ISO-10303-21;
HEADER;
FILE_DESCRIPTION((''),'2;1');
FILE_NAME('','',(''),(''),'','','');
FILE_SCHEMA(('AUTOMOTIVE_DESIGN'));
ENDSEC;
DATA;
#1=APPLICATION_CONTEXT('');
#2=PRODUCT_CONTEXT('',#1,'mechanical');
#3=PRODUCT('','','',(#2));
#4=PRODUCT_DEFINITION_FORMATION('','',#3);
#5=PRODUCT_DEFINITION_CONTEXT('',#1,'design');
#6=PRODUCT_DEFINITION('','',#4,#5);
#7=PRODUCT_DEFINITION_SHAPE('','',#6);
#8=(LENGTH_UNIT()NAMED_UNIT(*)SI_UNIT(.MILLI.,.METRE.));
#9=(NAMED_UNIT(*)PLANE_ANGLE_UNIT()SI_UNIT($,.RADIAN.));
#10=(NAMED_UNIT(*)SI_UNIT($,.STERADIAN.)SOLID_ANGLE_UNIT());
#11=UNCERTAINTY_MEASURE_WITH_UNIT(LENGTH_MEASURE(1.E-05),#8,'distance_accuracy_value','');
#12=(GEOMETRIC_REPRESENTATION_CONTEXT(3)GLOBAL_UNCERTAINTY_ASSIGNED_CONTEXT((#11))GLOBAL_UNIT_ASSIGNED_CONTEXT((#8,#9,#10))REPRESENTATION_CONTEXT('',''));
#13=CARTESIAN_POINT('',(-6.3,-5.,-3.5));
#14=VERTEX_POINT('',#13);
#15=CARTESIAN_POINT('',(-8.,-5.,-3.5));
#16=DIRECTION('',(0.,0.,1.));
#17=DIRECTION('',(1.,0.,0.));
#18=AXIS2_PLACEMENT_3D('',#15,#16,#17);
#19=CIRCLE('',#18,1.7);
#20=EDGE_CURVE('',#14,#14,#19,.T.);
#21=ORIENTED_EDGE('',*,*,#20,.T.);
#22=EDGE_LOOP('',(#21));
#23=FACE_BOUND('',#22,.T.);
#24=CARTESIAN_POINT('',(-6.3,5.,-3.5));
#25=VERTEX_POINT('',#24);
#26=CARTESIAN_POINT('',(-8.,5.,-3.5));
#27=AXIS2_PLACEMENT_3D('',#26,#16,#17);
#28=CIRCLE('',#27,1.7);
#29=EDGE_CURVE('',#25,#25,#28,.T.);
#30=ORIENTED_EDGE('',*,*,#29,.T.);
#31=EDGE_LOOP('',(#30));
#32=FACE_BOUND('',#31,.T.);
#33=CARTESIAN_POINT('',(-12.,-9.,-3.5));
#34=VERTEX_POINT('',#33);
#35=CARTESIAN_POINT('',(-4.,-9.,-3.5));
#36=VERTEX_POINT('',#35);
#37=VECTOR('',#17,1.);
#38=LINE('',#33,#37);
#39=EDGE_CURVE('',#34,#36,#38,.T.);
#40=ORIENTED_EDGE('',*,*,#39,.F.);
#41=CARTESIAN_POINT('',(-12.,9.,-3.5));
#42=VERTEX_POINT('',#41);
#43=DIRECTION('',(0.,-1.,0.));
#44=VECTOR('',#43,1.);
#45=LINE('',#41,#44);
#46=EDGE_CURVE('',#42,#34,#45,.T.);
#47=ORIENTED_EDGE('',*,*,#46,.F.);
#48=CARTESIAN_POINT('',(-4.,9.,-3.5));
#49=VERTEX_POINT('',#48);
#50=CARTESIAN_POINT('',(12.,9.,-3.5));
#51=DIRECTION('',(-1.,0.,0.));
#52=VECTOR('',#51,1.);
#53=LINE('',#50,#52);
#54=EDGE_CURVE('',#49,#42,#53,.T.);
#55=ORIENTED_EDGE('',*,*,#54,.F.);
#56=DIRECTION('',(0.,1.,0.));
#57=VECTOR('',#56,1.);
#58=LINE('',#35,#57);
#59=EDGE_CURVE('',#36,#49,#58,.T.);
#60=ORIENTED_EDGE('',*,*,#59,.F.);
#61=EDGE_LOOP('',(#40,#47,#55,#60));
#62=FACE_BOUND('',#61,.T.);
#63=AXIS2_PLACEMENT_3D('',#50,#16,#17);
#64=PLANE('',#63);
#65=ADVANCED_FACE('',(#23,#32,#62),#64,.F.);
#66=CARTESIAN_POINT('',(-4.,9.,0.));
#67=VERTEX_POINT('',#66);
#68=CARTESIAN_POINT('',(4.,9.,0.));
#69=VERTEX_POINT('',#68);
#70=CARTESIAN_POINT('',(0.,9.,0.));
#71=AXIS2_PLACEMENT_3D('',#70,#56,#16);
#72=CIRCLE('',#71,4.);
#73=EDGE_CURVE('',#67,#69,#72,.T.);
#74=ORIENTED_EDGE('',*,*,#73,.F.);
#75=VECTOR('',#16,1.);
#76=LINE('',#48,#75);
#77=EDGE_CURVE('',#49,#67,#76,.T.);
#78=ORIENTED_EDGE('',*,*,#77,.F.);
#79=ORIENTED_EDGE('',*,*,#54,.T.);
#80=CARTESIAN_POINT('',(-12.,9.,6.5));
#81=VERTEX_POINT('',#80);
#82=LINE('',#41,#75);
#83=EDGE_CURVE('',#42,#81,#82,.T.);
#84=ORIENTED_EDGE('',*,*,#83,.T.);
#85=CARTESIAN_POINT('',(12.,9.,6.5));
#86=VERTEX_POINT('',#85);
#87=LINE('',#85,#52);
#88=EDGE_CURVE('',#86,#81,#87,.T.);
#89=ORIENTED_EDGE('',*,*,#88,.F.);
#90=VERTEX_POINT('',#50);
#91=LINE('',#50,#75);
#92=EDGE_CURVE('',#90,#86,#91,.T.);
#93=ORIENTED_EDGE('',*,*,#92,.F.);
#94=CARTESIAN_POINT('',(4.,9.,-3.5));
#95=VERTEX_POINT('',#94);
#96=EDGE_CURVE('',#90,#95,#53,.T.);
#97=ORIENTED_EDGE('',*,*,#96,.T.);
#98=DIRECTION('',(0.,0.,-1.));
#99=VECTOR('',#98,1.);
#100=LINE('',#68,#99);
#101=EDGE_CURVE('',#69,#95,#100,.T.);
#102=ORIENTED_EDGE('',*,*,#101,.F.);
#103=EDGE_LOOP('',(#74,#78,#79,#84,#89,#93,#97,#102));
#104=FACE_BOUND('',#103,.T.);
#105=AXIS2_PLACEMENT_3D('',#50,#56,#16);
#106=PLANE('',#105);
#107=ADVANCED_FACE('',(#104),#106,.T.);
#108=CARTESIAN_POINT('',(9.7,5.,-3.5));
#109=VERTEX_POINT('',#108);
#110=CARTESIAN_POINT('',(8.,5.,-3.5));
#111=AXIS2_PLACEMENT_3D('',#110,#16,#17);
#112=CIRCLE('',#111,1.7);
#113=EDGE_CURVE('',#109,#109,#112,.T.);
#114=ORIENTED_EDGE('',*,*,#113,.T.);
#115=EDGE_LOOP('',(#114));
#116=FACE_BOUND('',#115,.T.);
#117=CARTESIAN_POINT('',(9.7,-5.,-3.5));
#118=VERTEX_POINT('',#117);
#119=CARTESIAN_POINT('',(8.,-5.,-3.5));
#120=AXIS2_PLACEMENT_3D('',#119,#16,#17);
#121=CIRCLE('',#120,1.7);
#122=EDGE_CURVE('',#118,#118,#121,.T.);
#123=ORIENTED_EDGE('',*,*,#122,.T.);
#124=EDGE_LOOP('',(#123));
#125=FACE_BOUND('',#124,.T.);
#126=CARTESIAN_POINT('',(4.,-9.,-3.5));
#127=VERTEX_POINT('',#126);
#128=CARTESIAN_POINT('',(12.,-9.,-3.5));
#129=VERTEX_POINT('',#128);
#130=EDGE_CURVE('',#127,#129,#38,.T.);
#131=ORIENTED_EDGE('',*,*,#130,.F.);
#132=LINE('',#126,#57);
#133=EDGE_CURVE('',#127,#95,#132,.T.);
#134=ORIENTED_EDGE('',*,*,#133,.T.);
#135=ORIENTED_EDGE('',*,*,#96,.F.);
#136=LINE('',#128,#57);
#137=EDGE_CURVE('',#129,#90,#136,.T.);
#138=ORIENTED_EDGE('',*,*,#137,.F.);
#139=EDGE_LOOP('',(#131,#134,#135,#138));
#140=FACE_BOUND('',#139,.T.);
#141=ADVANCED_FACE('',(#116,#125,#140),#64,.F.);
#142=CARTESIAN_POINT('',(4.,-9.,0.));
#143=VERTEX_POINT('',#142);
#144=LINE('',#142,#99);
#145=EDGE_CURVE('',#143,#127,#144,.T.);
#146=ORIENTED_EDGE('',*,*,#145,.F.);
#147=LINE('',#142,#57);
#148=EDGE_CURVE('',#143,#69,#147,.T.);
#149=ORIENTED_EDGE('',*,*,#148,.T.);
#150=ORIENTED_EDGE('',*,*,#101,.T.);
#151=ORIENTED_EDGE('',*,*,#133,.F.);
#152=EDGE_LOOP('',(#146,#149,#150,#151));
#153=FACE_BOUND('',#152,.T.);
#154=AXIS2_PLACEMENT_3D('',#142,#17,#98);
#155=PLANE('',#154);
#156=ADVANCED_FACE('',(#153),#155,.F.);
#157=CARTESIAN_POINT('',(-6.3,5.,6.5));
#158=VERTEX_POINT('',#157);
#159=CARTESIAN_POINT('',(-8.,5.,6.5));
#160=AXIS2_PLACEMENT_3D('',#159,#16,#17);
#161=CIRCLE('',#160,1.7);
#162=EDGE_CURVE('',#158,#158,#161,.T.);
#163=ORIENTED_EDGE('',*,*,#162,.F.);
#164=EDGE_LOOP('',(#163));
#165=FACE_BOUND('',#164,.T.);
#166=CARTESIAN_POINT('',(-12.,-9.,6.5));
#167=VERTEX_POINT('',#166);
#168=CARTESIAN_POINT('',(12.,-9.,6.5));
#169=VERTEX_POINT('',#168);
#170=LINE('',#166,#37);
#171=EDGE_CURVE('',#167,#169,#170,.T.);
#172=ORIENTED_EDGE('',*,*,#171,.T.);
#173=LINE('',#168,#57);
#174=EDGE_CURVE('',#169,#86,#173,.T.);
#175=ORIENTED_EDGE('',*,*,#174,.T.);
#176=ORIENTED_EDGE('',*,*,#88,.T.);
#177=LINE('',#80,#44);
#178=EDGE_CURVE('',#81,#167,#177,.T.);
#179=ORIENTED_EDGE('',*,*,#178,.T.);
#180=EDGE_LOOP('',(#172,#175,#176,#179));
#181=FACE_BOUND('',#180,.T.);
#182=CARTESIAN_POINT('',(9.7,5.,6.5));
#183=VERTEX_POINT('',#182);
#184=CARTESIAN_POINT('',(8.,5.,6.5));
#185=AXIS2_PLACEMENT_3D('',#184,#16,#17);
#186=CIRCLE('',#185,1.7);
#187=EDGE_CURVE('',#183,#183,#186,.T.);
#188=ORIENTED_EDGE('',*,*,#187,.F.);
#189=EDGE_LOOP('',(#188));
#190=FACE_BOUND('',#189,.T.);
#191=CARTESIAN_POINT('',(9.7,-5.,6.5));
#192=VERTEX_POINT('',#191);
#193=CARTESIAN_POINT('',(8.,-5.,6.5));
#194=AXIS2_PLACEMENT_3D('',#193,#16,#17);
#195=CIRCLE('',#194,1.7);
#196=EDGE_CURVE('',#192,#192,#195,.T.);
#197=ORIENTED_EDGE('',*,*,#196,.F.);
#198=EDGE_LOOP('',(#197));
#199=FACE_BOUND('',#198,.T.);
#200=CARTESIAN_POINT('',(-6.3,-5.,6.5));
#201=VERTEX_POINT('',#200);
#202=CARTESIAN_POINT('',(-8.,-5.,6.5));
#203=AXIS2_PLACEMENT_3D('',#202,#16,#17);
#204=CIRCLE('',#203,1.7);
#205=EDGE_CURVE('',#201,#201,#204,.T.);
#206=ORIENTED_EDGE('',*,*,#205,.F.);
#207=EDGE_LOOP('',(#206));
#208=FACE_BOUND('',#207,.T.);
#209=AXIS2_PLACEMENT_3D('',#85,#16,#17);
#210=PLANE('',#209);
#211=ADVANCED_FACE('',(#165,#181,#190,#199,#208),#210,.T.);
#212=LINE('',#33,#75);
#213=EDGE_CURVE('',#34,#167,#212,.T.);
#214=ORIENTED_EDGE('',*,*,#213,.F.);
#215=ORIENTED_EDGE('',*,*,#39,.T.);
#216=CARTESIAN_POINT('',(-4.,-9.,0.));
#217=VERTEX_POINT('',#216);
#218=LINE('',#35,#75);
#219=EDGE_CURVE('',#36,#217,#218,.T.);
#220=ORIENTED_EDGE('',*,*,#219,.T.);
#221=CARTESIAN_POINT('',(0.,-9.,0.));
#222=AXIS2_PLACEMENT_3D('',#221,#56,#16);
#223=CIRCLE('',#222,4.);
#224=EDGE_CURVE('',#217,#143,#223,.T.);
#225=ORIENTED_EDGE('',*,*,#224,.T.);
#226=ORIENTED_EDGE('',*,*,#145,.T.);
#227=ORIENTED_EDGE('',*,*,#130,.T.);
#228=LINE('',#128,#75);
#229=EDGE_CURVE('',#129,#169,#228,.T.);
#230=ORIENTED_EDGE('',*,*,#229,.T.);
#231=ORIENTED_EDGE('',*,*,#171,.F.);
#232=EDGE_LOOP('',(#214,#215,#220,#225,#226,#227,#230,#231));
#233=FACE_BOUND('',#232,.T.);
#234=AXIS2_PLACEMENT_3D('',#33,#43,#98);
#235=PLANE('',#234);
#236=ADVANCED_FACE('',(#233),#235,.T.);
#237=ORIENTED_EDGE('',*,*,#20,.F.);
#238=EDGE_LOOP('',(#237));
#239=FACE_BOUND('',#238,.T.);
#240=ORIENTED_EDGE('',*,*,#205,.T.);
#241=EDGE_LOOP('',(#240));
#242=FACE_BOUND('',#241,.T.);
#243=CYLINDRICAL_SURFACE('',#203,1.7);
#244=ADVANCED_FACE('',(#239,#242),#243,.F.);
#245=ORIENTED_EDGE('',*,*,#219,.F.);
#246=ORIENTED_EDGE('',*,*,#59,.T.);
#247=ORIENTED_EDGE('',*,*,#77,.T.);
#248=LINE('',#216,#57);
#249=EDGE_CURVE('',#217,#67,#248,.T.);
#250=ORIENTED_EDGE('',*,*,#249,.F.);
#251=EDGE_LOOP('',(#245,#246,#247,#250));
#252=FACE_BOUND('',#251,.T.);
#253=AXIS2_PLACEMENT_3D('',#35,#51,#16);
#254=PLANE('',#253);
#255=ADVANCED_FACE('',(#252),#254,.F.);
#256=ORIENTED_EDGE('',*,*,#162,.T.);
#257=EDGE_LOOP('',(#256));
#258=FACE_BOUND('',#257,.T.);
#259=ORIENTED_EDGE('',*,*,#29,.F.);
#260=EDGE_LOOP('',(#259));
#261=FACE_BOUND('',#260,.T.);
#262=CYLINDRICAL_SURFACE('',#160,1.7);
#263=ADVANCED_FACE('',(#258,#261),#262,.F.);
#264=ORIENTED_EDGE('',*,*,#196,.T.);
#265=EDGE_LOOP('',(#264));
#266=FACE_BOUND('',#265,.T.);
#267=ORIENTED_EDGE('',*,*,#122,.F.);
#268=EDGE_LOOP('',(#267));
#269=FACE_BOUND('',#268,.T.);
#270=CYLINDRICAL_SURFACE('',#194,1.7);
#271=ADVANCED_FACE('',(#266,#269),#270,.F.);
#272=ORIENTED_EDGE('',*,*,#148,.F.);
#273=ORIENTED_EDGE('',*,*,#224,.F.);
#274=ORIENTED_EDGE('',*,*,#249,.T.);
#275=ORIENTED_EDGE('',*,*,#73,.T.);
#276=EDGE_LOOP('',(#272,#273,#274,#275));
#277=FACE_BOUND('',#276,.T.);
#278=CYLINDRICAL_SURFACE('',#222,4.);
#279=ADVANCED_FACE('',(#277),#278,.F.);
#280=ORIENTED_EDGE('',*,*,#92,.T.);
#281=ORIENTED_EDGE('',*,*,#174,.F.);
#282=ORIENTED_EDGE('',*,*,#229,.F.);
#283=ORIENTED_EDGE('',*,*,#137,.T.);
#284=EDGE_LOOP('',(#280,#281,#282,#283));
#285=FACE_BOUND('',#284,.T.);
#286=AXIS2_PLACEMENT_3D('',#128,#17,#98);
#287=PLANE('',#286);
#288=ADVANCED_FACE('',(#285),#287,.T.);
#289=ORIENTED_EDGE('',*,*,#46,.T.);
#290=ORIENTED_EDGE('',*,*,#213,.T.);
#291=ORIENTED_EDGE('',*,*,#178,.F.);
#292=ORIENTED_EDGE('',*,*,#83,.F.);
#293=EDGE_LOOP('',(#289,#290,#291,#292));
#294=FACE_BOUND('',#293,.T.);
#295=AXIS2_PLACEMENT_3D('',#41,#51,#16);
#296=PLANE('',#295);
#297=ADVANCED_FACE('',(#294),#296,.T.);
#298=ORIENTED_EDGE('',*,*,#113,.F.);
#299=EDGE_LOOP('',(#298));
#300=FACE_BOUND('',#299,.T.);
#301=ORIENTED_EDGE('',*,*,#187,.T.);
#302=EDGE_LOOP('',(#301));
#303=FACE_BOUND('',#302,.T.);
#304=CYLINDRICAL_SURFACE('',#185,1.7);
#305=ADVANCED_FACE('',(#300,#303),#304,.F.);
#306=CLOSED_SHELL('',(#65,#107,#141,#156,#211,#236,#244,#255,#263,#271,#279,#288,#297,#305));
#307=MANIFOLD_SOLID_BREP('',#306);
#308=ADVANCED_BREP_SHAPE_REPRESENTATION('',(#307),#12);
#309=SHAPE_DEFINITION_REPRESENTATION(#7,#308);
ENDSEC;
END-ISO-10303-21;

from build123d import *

# Parameters (mm, degrees)
SKETCH1_W           = 24
SKETCH1_H           = 18
BOSS_EXTRUDE1_DEPTH = 10
CUT_EXTRUDE1_DEPTH  = 23.588713996
HOLE1_D             = 3.4
HOLE2_D             = 3.4
HOLE3_D             = 3.4
HOLE4_D             = 3.4


with BuildPart() as part:
    # Sketch1 → Boss-Extrude1 (new body)
    with BuildSketch(Plane.XY.offset(6.5)):
        Rectangle(SKETCH1_W, SKETCH1_H)
    extrude(amount=-BOSS_EXTRUDE1_DEPTH)

    # Sketch2 → Cut-Extrude1 (cut, through all)
    with BuildSketch(Plane(origin=(0, 9, 0), x_dir=(-1, 0, 0), z_dir=(0, 1, 0))):
        with BuildLine():
            Line((-4, -3.5), (4, -3.5))
            Line((4, -3.5), (4, 0))
            ThreePointArc((4, 0), (0, 4), (-4, 0))
            Line((-4, 0), (-4, -3.5))
        make_face()
    extrude(amount=-CUT_EXTRUDE1_DEPTH, mode=Mode.SUBTRACT)

    # Hole1 (through all)
    with Locations(Plane.XY.offset(6.5)):
        with Locations((8, -5)):
            Hole(HOLE1_D / 2)

    # Hole2 (through all)
    with Locations(Plane.XY.offset(6.5)):
        with Locations((-8, 5)):
            Hole(HOLE2_D / 2)

    # Hole3 (through all)
    with Locations(Plane.XY.offset(6.5)):
        with Locations((-8, -5)):
            Hole(HOLE3_D / 2)

    # Hole4 (through all)
    with Locations(Plane.XY.offset(6.5)):
        with Locations((8, 5)):
            Hole(HOLE4_D / 2)


solid = part.part
